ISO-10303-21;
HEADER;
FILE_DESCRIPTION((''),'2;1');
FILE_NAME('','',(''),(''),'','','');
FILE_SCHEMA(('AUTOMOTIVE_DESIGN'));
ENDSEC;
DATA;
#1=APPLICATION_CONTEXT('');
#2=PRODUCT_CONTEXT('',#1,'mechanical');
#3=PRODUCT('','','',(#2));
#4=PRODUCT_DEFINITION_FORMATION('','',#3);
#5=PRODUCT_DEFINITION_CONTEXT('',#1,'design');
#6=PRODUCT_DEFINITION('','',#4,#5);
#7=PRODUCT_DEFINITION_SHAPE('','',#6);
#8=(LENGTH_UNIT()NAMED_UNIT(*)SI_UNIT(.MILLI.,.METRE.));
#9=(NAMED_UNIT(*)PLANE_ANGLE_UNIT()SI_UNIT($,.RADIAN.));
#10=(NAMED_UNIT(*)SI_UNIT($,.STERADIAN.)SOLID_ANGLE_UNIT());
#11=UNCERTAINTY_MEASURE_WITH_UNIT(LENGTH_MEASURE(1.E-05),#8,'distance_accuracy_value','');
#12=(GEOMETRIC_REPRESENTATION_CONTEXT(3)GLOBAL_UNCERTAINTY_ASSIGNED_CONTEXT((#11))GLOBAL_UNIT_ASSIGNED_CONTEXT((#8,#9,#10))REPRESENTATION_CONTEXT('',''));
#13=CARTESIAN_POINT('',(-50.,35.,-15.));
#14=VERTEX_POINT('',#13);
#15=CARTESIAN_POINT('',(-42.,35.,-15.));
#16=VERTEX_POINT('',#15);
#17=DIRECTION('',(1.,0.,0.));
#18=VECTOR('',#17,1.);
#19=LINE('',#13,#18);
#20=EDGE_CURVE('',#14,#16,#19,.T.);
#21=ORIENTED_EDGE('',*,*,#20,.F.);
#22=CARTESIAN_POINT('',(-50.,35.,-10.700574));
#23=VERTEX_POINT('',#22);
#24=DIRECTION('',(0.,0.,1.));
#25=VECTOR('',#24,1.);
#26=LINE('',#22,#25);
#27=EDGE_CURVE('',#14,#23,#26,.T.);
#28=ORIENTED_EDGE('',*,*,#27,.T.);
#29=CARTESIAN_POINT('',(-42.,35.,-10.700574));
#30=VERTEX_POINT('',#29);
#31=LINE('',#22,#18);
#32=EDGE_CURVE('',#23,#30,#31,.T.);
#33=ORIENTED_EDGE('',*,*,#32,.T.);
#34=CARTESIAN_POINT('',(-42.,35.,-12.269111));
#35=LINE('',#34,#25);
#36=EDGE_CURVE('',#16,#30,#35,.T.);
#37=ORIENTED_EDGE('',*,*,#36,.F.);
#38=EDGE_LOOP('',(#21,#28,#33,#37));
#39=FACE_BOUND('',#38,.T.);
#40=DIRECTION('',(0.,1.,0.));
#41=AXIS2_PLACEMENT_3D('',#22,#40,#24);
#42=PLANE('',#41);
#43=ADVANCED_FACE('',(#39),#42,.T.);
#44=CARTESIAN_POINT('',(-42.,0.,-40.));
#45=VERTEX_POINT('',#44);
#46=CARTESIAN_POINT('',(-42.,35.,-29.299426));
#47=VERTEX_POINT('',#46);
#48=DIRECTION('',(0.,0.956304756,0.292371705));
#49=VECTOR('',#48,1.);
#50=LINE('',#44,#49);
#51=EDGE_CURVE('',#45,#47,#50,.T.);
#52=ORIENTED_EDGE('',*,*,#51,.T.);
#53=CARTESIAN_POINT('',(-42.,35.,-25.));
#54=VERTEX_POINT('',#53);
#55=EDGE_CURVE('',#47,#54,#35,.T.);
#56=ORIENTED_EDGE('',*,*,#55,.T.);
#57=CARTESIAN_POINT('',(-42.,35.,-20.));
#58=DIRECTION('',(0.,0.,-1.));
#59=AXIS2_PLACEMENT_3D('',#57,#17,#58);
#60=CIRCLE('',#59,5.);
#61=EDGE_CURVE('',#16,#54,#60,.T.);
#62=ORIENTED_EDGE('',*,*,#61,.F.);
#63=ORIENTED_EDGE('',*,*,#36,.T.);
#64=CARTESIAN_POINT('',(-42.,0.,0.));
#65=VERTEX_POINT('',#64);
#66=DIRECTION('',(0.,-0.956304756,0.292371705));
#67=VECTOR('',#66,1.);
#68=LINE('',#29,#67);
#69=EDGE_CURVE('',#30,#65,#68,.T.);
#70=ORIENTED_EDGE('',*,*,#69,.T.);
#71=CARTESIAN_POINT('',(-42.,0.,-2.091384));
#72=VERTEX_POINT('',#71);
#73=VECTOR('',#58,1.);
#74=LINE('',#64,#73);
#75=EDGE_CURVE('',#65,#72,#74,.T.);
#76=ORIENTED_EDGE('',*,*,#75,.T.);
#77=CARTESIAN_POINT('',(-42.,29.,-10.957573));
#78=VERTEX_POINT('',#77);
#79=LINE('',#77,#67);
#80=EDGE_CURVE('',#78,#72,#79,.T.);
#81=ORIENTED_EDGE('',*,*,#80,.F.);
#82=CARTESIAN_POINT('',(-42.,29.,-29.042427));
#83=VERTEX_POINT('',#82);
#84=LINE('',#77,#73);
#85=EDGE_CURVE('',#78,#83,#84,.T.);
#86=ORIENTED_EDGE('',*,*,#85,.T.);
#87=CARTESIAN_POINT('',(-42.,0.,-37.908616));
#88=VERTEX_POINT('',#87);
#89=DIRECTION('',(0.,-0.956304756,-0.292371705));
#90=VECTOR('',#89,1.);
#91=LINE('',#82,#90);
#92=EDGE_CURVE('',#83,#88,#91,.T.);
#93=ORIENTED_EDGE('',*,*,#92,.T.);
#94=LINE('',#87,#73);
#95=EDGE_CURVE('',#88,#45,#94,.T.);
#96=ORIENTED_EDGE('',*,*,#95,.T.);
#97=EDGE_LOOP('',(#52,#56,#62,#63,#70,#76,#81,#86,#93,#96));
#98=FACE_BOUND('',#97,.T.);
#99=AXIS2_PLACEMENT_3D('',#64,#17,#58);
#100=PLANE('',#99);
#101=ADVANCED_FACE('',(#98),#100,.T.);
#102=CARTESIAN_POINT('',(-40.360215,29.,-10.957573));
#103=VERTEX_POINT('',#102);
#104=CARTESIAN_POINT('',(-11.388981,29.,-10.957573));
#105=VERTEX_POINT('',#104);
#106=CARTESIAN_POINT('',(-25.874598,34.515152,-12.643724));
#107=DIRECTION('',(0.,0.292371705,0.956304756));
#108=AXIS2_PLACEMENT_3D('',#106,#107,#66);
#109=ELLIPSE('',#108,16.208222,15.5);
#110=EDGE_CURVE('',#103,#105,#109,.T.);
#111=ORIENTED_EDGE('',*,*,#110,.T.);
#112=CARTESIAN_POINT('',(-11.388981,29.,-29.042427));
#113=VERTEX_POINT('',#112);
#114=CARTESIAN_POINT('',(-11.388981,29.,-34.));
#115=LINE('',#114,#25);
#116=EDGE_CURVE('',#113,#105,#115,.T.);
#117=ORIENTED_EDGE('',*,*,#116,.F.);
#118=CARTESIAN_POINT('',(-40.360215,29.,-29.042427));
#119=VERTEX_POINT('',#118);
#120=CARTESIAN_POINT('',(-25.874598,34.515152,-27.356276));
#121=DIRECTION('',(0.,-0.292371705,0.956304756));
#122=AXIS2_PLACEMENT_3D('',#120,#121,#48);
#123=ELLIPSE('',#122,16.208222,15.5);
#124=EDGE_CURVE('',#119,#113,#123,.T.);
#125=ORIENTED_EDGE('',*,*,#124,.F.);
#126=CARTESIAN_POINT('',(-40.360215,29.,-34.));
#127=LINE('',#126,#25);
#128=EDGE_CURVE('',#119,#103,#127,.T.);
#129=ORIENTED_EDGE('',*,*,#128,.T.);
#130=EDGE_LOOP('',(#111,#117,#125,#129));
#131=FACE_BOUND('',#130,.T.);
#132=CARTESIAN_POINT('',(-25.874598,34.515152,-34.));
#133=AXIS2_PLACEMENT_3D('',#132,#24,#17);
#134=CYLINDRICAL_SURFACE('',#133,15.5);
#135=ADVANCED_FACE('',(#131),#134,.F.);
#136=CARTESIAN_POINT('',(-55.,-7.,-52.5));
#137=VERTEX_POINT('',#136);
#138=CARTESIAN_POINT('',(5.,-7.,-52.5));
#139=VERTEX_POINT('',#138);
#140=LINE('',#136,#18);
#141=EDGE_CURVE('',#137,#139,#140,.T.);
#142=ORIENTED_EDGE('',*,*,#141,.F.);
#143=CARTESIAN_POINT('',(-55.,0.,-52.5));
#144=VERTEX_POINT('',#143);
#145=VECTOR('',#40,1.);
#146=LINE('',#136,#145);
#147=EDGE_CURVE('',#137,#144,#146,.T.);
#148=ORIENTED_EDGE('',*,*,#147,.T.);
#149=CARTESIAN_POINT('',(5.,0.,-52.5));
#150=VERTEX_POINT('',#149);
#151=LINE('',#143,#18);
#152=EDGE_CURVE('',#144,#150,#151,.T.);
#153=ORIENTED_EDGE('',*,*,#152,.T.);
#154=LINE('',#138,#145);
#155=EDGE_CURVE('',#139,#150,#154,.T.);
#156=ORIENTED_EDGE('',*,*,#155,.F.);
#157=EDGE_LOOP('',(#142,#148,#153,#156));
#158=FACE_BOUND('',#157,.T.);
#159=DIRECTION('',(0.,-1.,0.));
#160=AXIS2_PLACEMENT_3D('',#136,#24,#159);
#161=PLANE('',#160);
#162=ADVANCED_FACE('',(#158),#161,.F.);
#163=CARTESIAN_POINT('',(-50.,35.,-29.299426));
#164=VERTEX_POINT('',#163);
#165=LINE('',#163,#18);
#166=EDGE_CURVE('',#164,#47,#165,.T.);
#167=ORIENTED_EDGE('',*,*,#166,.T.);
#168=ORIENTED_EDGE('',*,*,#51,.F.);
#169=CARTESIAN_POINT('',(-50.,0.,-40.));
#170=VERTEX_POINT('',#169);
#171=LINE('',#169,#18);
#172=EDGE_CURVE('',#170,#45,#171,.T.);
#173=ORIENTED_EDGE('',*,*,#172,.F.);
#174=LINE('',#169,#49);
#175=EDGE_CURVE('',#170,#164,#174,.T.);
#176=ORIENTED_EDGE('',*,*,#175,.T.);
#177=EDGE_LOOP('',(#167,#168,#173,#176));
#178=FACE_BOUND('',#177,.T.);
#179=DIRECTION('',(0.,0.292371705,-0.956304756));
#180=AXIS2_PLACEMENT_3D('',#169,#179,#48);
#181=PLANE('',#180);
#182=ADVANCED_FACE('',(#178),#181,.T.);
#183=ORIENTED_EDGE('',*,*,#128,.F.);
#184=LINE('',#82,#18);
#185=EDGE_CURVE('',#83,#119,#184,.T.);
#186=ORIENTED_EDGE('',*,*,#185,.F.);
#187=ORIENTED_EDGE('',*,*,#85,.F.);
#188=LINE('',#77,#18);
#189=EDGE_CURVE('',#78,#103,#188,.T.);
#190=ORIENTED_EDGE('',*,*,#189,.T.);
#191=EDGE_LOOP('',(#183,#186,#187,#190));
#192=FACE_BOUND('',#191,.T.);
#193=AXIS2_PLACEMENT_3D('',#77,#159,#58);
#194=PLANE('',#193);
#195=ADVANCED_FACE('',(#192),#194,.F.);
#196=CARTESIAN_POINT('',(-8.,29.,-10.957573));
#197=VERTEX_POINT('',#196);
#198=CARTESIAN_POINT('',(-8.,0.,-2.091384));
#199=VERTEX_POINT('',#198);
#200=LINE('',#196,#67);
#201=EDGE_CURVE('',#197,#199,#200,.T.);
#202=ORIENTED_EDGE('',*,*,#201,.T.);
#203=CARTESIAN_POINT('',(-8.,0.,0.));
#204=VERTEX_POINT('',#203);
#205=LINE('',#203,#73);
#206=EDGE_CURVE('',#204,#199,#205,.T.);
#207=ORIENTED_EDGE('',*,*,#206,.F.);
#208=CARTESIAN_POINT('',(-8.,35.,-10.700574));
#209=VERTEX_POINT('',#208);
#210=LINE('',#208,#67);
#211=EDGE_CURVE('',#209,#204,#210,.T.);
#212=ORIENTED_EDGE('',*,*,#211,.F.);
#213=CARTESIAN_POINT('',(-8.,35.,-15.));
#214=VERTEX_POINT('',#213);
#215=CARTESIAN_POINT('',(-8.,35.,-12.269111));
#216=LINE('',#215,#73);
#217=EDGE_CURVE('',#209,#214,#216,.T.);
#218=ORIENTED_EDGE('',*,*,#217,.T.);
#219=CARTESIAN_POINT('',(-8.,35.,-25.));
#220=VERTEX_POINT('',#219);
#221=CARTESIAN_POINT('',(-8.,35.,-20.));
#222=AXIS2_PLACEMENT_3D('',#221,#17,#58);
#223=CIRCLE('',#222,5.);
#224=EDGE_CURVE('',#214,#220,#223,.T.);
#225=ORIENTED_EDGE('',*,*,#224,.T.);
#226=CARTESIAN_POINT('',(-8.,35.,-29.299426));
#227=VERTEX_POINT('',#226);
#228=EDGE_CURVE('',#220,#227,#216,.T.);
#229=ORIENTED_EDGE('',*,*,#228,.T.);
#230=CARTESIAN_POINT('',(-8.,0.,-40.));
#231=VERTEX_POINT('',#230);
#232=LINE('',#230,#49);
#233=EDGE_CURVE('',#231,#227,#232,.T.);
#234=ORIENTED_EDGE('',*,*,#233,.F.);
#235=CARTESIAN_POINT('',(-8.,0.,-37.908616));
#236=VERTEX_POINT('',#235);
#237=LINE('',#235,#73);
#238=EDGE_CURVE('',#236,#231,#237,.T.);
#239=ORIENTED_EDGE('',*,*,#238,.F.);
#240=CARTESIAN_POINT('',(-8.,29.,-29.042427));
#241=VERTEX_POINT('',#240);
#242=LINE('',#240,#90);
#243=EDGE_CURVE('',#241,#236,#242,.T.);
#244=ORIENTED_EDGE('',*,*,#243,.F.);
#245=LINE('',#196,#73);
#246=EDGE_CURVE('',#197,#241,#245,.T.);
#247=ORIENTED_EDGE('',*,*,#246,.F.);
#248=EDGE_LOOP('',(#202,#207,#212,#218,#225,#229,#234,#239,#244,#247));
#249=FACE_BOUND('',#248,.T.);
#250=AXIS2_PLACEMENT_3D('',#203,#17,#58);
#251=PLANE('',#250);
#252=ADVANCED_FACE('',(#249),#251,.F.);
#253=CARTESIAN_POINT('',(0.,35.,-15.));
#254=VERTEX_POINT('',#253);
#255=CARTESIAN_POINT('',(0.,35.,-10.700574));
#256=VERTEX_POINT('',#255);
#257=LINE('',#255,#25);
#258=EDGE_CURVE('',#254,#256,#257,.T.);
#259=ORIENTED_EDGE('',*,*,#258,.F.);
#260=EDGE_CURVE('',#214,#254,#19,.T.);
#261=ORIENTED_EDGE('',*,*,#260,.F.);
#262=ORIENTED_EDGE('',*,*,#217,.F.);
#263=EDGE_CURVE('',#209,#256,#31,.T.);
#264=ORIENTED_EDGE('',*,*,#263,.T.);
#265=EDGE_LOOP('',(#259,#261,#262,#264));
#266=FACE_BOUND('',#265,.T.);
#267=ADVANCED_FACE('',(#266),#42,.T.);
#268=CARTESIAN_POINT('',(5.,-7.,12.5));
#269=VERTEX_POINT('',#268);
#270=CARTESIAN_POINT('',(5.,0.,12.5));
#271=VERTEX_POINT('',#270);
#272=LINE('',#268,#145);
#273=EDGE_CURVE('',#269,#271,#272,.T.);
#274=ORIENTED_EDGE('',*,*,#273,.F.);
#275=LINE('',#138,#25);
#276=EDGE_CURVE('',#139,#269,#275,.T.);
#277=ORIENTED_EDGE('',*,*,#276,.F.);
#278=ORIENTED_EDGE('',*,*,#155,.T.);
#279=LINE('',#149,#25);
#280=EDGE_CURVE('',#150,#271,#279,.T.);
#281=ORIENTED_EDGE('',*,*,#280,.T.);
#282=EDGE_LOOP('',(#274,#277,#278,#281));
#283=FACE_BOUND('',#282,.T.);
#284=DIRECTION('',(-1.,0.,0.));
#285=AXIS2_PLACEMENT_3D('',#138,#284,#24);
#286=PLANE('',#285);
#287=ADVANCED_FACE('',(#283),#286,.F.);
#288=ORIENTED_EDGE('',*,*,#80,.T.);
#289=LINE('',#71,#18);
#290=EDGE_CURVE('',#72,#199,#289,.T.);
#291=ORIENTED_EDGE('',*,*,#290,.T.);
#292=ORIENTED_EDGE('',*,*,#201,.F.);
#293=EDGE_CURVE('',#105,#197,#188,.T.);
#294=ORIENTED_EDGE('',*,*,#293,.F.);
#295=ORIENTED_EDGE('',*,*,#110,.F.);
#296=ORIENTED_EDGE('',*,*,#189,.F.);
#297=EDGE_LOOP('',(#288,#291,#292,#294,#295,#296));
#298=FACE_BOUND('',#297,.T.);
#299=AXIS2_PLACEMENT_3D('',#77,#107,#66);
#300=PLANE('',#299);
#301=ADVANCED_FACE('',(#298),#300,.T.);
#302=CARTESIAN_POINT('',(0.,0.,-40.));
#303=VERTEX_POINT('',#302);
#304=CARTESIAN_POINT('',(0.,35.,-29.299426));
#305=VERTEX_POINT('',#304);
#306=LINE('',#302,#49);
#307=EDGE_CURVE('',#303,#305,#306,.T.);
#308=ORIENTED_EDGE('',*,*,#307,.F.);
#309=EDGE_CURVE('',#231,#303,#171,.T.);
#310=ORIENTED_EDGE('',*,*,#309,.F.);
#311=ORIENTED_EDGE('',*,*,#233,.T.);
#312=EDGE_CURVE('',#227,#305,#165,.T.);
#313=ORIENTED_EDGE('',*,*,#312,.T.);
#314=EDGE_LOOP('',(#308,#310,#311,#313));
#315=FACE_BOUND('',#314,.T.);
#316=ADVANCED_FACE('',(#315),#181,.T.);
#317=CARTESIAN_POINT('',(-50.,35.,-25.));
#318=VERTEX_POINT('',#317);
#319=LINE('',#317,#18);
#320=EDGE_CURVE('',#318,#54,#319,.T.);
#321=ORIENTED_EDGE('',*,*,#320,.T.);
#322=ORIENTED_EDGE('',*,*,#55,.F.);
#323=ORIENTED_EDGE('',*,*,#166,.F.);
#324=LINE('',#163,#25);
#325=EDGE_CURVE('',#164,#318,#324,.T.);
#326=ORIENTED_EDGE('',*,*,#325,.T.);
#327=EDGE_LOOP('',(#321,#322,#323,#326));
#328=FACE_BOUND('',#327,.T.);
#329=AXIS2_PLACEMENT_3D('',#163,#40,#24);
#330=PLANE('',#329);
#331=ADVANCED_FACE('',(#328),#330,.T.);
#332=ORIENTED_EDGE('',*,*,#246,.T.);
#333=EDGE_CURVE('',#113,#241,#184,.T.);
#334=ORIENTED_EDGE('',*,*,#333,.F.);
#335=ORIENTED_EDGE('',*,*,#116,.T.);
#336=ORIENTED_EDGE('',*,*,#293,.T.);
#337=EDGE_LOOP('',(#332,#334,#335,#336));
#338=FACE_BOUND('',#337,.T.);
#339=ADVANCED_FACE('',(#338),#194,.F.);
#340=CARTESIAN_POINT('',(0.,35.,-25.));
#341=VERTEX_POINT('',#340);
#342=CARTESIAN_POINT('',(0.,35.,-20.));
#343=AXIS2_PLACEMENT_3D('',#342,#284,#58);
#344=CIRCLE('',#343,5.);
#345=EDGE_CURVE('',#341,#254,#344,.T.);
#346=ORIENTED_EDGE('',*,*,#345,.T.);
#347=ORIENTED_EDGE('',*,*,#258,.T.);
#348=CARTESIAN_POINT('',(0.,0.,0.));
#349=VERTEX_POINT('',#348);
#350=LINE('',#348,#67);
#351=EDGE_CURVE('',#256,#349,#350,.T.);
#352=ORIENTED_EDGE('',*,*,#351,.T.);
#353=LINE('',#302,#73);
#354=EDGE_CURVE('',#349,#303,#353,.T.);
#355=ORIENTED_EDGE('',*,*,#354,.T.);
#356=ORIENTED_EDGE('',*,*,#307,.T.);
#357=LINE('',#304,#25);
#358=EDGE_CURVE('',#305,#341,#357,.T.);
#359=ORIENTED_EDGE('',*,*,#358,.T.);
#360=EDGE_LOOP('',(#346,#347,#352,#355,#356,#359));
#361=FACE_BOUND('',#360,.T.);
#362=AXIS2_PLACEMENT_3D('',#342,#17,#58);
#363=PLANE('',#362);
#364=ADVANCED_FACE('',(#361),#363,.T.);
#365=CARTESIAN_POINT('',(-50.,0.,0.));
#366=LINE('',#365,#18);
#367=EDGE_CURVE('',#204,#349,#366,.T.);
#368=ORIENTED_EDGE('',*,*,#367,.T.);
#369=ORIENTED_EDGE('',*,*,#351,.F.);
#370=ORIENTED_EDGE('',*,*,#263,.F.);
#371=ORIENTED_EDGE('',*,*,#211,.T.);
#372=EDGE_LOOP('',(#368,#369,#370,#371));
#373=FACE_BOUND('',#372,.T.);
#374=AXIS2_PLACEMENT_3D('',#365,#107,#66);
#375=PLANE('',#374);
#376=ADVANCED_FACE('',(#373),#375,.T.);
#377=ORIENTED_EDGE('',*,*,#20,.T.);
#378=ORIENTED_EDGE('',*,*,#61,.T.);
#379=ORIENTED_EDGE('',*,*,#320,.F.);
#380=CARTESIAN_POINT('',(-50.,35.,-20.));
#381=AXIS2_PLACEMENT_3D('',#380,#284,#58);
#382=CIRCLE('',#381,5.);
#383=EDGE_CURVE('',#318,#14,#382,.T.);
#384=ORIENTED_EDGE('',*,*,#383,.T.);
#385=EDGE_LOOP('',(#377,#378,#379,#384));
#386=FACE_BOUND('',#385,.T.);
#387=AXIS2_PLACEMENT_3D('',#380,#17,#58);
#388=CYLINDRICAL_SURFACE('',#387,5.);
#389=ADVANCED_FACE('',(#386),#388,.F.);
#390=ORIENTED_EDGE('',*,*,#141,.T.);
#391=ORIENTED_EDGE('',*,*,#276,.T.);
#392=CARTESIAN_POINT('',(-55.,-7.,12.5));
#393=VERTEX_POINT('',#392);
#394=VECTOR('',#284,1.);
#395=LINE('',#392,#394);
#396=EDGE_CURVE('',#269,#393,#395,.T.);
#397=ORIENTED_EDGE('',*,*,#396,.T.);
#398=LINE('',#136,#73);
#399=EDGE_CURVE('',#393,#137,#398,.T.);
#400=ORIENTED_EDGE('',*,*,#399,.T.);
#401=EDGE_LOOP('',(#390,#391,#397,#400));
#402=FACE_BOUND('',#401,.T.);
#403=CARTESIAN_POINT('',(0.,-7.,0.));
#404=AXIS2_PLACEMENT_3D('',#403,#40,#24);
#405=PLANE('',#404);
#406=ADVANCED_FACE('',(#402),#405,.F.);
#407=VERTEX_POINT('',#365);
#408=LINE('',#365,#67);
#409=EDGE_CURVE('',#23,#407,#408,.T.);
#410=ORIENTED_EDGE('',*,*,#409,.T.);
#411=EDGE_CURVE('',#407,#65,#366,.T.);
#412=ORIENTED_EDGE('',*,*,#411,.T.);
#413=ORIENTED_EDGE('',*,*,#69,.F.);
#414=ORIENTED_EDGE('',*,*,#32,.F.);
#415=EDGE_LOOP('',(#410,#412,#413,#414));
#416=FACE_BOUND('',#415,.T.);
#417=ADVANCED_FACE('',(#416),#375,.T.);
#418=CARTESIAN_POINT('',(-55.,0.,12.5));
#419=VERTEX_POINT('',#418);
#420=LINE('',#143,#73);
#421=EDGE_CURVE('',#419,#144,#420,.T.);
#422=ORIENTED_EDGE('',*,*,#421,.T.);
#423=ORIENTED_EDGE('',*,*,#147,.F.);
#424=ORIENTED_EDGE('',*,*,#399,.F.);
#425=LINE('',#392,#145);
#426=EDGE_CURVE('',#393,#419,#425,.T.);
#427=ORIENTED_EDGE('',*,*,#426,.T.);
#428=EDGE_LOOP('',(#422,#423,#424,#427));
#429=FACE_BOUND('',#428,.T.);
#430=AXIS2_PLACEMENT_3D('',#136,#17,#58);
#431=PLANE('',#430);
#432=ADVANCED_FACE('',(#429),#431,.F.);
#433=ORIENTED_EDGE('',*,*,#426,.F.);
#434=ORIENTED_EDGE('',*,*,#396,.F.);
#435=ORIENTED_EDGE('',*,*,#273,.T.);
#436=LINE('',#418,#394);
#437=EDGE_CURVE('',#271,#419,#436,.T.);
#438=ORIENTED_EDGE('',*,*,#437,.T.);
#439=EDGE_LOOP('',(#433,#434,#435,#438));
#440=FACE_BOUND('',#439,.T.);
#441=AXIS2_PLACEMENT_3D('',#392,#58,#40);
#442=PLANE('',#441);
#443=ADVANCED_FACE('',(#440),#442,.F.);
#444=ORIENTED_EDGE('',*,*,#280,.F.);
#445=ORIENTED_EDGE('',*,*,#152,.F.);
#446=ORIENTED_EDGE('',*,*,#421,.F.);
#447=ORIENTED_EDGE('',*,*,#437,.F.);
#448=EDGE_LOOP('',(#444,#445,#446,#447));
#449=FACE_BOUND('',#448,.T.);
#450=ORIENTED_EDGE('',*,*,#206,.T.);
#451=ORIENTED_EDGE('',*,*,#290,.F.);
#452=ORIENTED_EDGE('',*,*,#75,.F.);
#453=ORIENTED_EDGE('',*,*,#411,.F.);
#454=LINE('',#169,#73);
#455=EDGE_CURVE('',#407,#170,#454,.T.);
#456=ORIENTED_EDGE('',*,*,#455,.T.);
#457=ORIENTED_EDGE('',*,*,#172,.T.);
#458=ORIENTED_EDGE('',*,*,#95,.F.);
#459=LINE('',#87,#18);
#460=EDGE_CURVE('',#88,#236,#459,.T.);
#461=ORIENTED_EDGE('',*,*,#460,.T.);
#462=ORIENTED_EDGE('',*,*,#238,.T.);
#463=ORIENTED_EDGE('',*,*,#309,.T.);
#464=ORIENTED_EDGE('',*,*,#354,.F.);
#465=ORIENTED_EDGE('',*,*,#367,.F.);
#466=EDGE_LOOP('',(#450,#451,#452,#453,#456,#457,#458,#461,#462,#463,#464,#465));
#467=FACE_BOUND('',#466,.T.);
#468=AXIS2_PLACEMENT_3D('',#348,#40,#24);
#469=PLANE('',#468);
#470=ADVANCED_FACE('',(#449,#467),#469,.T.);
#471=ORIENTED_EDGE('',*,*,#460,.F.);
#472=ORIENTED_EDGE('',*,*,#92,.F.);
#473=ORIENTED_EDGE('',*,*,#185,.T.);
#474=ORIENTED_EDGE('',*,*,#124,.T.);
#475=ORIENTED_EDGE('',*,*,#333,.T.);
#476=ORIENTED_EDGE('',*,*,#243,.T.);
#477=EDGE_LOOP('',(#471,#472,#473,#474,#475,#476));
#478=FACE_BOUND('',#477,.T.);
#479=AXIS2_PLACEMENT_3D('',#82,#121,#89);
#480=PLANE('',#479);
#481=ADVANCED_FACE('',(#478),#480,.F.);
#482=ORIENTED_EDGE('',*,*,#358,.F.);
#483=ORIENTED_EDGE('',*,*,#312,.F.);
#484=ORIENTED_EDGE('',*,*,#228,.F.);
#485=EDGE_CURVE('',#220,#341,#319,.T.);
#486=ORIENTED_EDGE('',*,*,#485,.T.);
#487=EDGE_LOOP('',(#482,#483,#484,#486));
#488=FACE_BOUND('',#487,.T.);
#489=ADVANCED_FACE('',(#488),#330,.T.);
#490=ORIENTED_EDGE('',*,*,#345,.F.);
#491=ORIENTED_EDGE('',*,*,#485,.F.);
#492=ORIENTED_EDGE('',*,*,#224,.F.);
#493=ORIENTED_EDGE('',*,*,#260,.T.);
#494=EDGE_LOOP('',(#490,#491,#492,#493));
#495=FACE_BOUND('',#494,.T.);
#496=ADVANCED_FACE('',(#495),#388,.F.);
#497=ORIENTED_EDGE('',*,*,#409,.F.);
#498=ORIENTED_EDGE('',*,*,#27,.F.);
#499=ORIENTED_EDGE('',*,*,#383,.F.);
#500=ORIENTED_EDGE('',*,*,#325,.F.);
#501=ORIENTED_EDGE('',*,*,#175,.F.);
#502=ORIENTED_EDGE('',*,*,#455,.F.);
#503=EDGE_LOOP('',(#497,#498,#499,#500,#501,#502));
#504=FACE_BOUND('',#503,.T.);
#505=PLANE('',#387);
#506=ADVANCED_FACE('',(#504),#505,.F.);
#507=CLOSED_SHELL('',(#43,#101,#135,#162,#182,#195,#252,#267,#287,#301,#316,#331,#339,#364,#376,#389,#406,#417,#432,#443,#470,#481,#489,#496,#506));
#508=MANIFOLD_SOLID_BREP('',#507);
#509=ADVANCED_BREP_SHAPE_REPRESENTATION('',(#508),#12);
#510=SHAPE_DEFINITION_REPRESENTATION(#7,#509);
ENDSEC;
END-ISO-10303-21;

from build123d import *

# Parameters (mm, degrees)
BOSS_EXTRUDE1_DEPTH = 50
CUT_EXTRUDE1_START  = -8
CUT_EXTRUDE1_DEPTH  = 34
CUT_EXTRUDE2_DEPTH  = 34
SKETCH5_W           = 60
SKETCH5_H           = 65
BOSS_EXTRUDE3_DEPTH = 7


with BuildPart() as part:
    # Sketch2 → Boss-Extrude1 (new body)
    with BuildSketch(Plane(origin=(0, 0, 0), x_dir=(0, 0, -1), z_dir=(1, 0, 0))):
        with BuildLine():
            Line((40, 0), (0, 0))
            Line((0, 0), (10.700573851, 35))
            Line((10.700573851, 35), (15, 35))
            ThreePointArc((15, 35), (20, 30), (25, 35))
            Line((25, 35), (29.299426149, 35))
            Line((29.299426149, 35), (40, 0))
        make_face()
    extrude(amount=-BOSS_EXTRUDE1_DEPTH)

    # Sketch3 → Cut-Extrude1 (cut)
    with BuildSketch(Plane(origin=(0, 0, 0), x_dir=(0, 0, -1), z_dir=(1, 0, 0)).offset(CUT_EXTRUDE1_START)):
        Polygon((10.700573851, 35), (0, 0), (2.091383513, 0), (10.957573275, 29), (29.042426725, 29), (37.908616487, 0), (40, 0), (29.299426149, 35), (27.730888514, 35), (12.269111486, 35), align=None)
    extrude(amount=-CUT_EXTRUDE1_DEPTH, mode=Mode.SUBTRACT)

    # Sketch4 → Cut-Extrude2 (cut)
    with BuildSketch(Plane.XY):
        with BuildLine():
            Line((-11.388981029, 29), (-40.360215297, 29))
            ThreePointArc((-40.360215297, 29), (-25.874598163, 19.015151515), (-11.388981029, 29))
        make_face()
    extrude(amount=-CUT_EXTRUDE2_DEPTH, mode=Mode.SUBTRACT)

    # Sketch5 → Boss-Extrude3 (add)
    with BuildSketch(Plane.XZ):
        with Locations((-25, -20)):
            Rectangle(SKETCH5_W, SKETCH5_H)
    extrude(amount=BOSS_EXTRUDE3_DEPTH)


solid = part.part
